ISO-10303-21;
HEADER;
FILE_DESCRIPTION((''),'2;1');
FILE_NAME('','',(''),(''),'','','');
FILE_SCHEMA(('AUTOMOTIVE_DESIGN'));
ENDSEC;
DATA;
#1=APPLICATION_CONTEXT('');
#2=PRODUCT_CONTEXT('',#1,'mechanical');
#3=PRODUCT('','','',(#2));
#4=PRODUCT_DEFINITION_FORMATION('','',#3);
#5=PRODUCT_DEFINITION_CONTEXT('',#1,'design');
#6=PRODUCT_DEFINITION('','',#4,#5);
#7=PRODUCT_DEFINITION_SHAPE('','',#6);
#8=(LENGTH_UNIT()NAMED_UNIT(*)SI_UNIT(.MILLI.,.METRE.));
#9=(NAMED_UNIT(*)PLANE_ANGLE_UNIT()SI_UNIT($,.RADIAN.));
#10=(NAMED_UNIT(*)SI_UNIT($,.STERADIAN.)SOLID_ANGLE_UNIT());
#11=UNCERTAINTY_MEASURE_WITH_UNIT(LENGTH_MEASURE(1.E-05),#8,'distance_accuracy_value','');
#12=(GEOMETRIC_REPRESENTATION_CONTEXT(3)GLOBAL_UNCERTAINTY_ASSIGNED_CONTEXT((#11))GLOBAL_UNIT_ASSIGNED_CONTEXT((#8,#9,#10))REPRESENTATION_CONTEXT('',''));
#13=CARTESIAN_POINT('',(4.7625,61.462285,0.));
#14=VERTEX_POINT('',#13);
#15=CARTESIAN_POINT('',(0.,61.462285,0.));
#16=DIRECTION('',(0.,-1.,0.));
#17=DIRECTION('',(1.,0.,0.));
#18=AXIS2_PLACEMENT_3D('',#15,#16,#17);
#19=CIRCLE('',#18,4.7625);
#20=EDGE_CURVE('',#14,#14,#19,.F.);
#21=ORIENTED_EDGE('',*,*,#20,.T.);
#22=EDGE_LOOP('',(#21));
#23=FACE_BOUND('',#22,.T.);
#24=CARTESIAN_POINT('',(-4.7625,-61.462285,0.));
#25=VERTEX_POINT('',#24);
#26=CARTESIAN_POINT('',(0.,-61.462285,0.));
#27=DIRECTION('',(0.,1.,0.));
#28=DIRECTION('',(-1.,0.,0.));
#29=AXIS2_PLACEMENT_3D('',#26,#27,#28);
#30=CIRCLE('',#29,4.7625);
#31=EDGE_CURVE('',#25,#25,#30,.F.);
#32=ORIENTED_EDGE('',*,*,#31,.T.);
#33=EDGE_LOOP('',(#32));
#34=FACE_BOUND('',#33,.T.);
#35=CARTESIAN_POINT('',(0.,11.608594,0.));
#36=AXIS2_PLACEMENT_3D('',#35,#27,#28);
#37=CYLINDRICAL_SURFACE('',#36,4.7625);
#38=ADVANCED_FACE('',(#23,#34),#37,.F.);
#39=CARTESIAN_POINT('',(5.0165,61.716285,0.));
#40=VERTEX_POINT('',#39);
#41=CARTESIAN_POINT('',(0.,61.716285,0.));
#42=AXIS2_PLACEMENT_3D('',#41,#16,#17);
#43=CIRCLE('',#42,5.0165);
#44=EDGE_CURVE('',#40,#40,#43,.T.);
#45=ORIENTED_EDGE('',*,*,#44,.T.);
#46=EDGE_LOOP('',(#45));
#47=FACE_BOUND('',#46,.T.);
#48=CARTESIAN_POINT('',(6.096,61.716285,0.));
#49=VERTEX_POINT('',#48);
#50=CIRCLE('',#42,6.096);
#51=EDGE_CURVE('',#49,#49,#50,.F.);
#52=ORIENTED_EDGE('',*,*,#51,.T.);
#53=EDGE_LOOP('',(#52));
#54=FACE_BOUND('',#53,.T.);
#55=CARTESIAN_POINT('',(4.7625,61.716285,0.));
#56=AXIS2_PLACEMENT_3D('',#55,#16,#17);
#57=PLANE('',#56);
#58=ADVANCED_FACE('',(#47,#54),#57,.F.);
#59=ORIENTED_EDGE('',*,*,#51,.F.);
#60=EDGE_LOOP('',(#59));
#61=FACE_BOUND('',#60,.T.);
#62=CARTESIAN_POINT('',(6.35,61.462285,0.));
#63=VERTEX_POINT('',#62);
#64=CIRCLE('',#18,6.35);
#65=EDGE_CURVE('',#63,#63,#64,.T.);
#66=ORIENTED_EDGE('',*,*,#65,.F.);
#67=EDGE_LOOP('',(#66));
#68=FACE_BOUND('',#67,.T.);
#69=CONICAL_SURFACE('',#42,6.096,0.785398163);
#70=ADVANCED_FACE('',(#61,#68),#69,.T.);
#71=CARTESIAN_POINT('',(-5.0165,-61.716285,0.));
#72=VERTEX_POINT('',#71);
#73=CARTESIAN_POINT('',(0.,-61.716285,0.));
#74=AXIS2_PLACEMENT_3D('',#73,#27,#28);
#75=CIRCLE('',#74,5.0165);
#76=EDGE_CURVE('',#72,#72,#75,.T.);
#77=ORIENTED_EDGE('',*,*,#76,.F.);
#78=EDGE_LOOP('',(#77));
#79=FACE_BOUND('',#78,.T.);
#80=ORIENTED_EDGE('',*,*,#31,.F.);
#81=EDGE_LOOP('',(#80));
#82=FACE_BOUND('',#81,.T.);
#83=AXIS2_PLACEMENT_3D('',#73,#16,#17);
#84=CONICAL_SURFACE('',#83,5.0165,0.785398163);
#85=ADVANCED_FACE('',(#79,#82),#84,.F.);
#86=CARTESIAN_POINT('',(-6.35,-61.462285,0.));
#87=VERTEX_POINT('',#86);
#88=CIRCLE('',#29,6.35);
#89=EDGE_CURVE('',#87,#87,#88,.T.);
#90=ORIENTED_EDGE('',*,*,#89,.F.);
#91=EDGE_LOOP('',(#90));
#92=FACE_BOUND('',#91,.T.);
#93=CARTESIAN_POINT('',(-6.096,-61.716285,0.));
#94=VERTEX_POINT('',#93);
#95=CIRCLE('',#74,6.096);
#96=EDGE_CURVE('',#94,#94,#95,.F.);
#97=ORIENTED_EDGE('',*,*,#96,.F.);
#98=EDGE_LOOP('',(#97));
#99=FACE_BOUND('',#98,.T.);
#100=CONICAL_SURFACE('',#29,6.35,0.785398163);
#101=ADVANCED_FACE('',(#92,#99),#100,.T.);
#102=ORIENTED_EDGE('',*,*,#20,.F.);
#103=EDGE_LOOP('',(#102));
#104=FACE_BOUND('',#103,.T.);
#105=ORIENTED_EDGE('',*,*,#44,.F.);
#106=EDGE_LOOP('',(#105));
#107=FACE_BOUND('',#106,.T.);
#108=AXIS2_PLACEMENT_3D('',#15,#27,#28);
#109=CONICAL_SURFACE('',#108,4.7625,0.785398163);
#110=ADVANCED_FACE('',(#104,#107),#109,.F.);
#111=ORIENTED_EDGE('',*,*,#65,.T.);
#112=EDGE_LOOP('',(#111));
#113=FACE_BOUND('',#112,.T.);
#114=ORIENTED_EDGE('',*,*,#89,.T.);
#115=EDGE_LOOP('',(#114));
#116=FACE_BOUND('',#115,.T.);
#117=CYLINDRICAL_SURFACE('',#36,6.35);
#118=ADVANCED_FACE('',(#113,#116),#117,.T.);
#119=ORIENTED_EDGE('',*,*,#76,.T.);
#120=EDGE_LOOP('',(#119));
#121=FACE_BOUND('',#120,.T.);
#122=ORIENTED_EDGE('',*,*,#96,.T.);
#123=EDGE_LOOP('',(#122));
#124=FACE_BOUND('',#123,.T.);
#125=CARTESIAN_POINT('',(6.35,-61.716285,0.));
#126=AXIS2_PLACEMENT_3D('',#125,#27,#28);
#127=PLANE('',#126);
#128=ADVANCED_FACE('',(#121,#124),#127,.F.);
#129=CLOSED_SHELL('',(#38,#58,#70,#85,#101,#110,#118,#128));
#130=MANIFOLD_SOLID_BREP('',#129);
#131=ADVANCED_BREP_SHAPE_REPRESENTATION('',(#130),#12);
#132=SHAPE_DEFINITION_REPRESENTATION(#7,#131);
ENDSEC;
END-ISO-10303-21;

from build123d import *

# Parameters (mm, degrees)
SKETCH1_W     = 1.5875
SKETCH1_H     = 123.43257
CHAMFER1_SIZE = 0.254


with BuildPart() as part:
    # Sketch1 → Revolve1 (revolve)
    with BuildSketch(Plane.XY):
        with Locations((5.55625, 0)):
            Rectangle(SKETCH1_W, SKETCH1_H)
    revolve(axis=Axis((0, 11.60859375, 0), (0, -1, 0)))

    # Chamfer1
    chamfer1_edges = [part.edges().sort_by_distance(p)[0] for p in [
        (-4.7625, -61.716285, 0),
        (-6.35, -61.716285, 0),
        (-6.35, 61.716285, 0),
        (-4.7625, 61.716285, 0),
    ]]
    chamfer(chamfer1_edges, length=CHAMFER1_SIZE)


solid = part.part
